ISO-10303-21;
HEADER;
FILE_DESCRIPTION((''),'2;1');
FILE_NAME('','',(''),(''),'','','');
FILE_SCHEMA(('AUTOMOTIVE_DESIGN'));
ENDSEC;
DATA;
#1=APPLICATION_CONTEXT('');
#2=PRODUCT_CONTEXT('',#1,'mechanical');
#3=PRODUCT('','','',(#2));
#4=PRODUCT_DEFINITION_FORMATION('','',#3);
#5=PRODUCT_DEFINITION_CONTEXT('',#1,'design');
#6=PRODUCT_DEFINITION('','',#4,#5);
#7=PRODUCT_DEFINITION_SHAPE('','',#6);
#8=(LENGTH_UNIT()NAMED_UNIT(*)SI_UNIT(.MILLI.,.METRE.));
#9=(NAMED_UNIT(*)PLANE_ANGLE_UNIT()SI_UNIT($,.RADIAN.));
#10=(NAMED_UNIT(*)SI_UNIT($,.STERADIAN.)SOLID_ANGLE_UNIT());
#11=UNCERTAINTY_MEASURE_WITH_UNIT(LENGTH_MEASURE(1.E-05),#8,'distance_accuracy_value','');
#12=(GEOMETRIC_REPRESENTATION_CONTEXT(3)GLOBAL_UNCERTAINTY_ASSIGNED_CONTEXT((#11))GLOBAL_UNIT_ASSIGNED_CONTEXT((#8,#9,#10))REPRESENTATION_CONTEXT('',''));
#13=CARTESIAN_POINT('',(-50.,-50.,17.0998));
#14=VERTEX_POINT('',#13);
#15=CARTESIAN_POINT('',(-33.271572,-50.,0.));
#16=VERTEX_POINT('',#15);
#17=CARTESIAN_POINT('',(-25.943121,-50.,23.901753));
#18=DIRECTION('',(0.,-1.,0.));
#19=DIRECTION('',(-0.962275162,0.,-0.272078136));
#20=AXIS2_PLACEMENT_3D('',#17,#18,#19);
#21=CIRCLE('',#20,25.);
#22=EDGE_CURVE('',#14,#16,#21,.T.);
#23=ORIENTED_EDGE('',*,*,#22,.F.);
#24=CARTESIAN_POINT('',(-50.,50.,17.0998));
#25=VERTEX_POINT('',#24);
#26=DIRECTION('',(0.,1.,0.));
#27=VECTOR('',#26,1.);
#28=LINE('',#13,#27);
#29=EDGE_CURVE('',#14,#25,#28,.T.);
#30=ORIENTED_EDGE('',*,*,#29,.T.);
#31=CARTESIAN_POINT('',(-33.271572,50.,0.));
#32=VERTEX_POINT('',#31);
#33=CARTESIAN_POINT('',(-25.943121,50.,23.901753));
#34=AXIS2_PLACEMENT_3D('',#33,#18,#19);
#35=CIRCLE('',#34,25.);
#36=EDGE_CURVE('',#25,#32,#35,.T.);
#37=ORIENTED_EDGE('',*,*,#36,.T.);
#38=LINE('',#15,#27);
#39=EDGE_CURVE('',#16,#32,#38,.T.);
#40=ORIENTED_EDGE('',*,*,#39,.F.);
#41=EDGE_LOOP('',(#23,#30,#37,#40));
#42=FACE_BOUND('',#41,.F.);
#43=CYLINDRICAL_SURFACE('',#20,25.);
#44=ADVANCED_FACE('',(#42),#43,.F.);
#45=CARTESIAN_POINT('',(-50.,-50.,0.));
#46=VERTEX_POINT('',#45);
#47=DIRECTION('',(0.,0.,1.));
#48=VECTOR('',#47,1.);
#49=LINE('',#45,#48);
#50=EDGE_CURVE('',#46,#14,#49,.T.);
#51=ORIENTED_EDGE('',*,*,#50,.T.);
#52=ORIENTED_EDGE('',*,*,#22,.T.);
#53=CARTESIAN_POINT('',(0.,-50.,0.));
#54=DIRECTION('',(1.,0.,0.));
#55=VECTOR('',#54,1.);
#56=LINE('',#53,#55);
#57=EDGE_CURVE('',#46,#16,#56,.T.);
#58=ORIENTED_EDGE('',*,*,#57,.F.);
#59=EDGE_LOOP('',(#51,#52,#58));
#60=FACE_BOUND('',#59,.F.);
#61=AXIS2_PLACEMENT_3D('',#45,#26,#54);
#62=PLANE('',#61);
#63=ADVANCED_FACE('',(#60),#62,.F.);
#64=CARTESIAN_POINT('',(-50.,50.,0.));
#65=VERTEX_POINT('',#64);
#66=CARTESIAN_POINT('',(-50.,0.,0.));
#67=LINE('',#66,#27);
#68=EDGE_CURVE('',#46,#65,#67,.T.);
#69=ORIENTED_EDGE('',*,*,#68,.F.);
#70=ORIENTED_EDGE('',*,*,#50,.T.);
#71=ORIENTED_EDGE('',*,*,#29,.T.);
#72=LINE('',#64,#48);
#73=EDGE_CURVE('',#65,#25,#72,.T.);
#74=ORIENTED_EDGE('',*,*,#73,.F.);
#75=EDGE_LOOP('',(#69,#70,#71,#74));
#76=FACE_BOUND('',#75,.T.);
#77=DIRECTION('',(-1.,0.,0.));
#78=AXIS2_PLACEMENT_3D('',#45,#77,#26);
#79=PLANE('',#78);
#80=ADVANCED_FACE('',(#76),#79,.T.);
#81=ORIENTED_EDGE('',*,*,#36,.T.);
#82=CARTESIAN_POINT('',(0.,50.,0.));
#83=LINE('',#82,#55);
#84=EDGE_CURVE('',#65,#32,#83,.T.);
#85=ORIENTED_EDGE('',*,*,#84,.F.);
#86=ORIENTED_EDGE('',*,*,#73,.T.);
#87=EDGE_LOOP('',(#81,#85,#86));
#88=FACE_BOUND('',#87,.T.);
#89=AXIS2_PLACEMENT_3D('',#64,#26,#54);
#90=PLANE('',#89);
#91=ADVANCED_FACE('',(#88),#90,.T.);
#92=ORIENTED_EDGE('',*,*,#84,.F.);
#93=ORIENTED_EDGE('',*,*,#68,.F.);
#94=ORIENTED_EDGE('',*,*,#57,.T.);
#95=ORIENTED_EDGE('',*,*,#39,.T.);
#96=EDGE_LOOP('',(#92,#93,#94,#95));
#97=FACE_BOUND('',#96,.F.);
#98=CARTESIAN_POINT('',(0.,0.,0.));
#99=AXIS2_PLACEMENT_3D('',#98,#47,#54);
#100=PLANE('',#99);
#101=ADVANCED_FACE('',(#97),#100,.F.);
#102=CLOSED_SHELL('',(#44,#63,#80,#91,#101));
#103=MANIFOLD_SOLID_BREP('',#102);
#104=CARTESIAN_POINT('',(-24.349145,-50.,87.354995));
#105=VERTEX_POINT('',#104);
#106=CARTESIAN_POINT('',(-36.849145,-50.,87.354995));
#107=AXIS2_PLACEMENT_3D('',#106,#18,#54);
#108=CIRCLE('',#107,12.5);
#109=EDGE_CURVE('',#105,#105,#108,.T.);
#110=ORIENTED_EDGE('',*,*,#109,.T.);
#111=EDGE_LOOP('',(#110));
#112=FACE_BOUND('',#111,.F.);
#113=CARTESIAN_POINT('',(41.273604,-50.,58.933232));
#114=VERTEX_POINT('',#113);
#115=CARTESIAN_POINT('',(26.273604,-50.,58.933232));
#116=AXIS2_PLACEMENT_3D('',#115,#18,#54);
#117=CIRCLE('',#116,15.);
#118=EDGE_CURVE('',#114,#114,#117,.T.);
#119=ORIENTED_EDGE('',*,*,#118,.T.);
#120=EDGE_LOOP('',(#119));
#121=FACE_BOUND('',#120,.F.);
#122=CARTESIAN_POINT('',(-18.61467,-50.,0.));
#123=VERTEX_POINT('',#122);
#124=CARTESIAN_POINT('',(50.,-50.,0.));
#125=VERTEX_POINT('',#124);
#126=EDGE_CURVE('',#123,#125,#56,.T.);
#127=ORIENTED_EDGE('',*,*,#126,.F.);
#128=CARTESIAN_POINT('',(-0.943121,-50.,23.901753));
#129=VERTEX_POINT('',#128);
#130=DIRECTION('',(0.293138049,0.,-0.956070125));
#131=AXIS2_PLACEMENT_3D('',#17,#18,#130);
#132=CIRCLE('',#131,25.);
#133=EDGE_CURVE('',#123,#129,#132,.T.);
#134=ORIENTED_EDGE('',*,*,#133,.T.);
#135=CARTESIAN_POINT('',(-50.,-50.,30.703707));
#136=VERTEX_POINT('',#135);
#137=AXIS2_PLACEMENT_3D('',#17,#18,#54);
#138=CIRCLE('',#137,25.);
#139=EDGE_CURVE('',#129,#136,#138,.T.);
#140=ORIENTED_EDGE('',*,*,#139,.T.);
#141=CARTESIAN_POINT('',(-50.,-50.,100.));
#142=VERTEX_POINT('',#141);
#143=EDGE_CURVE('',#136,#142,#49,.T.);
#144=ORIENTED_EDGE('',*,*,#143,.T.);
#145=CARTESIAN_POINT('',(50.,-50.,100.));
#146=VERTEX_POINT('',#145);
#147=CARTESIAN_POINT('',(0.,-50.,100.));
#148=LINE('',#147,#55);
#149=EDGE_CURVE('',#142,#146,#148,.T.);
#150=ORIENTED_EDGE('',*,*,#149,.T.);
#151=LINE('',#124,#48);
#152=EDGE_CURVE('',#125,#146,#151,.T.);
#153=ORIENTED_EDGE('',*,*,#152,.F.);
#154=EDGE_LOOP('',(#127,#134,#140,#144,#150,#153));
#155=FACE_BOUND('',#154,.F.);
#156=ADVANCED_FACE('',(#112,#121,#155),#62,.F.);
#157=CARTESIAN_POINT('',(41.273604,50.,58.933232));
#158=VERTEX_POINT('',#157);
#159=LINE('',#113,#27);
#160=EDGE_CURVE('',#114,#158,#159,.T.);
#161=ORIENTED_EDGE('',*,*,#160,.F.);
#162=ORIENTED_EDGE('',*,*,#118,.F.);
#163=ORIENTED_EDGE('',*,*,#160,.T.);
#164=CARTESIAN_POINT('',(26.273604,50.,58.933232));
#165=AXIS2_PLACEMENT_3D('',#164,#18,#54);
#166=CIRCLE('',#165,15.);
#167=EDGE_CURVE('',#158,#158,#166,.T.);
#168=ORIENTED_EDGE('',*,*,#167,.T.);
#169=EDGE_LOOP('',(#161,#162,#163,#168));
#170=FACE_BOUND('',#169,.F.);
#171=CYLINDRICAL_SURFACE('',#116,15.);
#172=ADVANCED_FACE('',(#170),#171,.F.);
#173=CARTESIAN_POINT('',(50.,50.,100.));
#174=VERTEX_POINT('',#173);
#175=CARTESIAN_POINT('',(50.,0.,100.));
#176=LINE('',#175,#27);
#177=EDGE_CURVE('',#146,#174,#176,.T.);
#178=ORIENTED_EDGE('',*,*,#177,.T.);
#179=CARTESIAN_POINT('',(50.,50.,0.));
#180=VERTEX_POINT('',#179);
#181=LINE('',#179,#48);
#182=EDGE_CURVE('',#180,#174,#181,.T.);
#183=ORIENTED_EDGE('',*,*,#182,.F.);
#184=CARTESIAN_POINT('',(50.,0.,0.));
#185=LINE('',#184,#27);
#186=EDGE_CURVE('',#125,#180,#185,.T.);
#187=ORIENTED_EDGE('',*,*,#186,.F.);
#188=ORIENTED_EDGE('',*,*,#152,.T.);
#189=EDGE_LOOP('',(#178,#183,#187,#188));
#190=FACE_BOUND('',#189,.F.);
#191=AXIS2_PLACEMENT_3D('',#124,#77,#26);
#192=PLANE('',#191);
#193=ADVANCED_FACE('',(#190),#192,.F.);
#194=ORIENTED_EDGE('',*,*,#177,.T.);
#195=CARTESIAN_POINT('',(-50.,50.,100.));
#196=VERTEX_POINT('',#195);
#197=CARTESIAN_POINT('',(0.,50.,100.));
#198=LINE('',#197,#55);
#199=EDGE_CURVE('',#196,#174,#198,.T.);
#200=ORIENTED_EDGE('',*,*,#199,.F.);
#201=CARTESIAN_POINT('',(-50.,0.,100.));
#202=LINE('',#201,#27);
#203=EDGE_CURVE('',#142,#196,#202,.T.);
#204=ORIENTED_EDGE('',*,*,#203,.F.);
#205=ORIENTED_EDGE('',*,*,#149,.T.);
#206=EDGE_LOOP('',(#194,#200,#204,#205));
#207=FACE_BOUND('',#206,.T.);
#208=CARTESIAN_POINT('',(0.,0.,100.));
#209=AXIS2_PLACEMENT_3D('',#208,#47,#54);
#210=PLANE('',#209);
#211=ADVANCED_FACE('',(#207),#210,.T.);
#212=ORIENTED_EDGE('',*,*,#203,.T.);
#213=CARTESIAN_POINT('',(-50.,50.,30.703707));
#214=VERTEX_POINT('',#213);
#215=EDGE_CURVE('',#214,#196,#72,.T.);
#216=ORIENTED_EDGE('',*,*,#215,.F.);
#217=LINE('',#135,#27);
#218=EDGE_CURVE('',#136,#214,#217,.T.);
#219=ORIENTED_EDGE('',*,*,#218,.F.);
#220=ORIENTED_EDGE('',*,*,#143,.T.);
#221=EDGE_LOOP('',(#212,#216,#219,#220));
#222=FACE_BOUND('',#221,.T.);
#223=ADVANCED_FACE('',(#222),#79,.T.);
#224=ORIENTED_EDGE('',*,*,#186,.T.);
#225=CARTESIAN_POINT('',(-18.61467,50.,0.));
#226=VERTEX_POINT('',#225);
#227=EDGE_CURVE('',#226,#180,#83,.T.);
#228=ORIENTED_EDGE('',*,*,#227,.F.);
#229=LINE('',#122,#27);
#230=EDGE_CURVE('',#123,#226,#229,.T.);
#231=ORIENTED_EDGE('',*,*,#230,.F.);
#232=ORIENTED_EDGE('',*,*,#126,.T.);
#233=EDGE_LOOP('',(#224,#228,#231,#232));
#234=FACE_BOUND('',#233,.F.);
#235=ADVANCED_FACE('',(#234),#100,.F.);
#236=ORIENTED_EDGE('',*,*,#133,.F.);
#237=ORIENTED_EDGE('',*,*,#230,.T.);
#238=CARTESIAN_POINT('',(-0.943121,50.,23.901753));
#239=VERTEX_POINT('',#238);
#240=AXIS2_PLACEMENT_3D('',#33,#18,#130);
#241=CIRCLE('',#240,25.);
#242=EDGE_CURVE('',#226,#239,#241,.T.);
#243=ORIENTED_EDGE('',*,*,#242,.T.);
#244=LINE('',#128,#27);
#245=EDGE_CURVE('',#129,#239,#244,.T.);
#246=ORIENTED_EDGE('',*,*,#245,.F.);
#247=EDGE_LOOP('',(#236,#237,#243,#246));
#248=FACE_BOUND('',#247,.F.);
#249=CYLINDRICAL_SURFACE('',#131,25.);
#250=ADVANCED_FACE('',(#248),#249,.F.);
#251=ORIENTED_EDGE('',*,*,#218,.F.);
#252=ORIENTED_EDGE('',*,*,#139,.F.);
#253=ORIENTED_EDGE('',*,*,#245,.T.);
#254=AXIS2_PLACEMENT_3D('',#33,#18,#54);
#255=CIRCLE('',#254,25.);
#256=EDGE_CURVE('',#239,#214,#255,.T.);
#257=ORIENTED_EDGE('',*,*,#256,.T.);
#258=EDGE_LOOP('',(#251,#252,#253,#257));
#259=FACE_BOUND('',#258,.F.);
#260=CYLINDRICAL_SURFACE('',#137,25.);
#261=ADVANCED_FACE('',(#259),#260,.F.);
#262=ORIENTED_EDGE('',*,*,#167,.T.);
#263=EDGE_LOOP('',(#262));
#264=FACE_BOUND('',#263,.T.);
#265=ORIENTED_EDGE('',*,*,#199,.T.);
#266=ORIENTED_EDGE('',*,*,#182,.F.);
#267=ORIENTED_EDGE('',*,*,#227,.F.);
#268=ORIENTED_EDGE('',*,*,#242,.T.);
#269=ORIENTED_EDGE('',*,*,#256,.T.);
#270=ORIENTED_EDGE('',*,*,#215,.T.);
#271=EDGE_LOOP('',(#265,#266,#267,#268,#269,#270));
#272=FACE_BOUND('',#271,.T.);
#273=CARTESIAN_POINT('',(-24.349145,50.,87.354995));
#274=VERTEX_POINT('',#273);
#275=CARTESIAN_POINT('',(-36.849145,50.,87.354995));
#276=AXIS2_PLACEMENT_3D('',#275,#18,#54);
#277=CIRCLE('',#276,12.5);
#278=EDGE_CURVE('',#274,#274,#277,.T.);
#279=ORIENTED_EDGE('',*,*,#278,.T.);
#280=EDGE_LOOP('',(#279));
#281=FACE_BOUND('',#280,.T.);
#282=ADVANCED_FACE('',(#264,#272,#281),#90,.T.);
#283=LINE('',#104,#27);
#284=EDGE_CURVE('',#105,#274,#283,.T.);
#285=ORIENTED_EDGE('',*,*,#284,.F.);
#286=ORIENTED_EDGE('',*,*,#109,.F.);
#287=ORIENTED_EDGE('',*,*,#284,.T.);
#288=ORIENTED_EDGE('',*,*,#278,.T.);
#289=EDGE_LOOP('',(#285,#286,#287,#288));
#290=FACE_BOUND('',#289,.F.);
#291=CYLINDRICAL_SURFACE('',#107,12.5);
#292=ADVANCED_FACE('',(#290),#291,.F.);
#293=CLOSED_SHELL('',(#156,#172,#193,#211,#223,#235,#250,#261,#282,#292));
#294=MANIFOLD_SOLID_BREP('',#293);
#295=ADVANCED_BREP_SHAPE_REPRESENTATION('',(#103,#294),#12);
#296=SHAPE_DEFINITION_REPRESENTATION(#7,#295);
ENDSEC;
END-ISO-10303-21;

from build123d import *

# Parameters (mm, degrees)
F0_W     = 100
F0_H     = 100
F1_DEPTH = 100
F2_R     = 12.5
F2_R_2   = 15
F3_DEPTH = 100.001


with BuildPart() as f1:
    # F0 (on Top) → F1 (new body)
    with BuildSketch(Plane.XY):
        Rectangle(F0_W, F0_H)
    extrude(amount=F1_DEPTH)

    # F2 (on face) → F3 (cut, through all)
    with BuildSketch(Plane.XZ.offset(50)):
        with Locations((-36.8491448462, 87.3549953103)):
            Circle(F2_R)
        with BuildLine():
            ThreePointArc((-18.6146697117, 0), (-5.8407419685, 9.0392378752), (-0.9431209415, 23.9017531276))
            ThreePointArc((-0.9431209415, 23.9017531276), (-22.5096079054, 48.6648504345), (-50, 30.703706521))
            Line((-50, 30.703706521), (-50, 17.0997997342))
            ThreePointArc((-50, 17.0997997342), (-43.8137820111, 6.4192054604), (-33.2715721714, 0))
            Line((-33.2715721714, 0), (-18.6146697117, 0))
        make_face()
        with Locations((26.2736044824, 58.9332319796)):
            Circle(F2_R_2)
    extrude(amount=-F3_DEPTH, mode=Mode.SUBTRACT)


solid = f1.part
